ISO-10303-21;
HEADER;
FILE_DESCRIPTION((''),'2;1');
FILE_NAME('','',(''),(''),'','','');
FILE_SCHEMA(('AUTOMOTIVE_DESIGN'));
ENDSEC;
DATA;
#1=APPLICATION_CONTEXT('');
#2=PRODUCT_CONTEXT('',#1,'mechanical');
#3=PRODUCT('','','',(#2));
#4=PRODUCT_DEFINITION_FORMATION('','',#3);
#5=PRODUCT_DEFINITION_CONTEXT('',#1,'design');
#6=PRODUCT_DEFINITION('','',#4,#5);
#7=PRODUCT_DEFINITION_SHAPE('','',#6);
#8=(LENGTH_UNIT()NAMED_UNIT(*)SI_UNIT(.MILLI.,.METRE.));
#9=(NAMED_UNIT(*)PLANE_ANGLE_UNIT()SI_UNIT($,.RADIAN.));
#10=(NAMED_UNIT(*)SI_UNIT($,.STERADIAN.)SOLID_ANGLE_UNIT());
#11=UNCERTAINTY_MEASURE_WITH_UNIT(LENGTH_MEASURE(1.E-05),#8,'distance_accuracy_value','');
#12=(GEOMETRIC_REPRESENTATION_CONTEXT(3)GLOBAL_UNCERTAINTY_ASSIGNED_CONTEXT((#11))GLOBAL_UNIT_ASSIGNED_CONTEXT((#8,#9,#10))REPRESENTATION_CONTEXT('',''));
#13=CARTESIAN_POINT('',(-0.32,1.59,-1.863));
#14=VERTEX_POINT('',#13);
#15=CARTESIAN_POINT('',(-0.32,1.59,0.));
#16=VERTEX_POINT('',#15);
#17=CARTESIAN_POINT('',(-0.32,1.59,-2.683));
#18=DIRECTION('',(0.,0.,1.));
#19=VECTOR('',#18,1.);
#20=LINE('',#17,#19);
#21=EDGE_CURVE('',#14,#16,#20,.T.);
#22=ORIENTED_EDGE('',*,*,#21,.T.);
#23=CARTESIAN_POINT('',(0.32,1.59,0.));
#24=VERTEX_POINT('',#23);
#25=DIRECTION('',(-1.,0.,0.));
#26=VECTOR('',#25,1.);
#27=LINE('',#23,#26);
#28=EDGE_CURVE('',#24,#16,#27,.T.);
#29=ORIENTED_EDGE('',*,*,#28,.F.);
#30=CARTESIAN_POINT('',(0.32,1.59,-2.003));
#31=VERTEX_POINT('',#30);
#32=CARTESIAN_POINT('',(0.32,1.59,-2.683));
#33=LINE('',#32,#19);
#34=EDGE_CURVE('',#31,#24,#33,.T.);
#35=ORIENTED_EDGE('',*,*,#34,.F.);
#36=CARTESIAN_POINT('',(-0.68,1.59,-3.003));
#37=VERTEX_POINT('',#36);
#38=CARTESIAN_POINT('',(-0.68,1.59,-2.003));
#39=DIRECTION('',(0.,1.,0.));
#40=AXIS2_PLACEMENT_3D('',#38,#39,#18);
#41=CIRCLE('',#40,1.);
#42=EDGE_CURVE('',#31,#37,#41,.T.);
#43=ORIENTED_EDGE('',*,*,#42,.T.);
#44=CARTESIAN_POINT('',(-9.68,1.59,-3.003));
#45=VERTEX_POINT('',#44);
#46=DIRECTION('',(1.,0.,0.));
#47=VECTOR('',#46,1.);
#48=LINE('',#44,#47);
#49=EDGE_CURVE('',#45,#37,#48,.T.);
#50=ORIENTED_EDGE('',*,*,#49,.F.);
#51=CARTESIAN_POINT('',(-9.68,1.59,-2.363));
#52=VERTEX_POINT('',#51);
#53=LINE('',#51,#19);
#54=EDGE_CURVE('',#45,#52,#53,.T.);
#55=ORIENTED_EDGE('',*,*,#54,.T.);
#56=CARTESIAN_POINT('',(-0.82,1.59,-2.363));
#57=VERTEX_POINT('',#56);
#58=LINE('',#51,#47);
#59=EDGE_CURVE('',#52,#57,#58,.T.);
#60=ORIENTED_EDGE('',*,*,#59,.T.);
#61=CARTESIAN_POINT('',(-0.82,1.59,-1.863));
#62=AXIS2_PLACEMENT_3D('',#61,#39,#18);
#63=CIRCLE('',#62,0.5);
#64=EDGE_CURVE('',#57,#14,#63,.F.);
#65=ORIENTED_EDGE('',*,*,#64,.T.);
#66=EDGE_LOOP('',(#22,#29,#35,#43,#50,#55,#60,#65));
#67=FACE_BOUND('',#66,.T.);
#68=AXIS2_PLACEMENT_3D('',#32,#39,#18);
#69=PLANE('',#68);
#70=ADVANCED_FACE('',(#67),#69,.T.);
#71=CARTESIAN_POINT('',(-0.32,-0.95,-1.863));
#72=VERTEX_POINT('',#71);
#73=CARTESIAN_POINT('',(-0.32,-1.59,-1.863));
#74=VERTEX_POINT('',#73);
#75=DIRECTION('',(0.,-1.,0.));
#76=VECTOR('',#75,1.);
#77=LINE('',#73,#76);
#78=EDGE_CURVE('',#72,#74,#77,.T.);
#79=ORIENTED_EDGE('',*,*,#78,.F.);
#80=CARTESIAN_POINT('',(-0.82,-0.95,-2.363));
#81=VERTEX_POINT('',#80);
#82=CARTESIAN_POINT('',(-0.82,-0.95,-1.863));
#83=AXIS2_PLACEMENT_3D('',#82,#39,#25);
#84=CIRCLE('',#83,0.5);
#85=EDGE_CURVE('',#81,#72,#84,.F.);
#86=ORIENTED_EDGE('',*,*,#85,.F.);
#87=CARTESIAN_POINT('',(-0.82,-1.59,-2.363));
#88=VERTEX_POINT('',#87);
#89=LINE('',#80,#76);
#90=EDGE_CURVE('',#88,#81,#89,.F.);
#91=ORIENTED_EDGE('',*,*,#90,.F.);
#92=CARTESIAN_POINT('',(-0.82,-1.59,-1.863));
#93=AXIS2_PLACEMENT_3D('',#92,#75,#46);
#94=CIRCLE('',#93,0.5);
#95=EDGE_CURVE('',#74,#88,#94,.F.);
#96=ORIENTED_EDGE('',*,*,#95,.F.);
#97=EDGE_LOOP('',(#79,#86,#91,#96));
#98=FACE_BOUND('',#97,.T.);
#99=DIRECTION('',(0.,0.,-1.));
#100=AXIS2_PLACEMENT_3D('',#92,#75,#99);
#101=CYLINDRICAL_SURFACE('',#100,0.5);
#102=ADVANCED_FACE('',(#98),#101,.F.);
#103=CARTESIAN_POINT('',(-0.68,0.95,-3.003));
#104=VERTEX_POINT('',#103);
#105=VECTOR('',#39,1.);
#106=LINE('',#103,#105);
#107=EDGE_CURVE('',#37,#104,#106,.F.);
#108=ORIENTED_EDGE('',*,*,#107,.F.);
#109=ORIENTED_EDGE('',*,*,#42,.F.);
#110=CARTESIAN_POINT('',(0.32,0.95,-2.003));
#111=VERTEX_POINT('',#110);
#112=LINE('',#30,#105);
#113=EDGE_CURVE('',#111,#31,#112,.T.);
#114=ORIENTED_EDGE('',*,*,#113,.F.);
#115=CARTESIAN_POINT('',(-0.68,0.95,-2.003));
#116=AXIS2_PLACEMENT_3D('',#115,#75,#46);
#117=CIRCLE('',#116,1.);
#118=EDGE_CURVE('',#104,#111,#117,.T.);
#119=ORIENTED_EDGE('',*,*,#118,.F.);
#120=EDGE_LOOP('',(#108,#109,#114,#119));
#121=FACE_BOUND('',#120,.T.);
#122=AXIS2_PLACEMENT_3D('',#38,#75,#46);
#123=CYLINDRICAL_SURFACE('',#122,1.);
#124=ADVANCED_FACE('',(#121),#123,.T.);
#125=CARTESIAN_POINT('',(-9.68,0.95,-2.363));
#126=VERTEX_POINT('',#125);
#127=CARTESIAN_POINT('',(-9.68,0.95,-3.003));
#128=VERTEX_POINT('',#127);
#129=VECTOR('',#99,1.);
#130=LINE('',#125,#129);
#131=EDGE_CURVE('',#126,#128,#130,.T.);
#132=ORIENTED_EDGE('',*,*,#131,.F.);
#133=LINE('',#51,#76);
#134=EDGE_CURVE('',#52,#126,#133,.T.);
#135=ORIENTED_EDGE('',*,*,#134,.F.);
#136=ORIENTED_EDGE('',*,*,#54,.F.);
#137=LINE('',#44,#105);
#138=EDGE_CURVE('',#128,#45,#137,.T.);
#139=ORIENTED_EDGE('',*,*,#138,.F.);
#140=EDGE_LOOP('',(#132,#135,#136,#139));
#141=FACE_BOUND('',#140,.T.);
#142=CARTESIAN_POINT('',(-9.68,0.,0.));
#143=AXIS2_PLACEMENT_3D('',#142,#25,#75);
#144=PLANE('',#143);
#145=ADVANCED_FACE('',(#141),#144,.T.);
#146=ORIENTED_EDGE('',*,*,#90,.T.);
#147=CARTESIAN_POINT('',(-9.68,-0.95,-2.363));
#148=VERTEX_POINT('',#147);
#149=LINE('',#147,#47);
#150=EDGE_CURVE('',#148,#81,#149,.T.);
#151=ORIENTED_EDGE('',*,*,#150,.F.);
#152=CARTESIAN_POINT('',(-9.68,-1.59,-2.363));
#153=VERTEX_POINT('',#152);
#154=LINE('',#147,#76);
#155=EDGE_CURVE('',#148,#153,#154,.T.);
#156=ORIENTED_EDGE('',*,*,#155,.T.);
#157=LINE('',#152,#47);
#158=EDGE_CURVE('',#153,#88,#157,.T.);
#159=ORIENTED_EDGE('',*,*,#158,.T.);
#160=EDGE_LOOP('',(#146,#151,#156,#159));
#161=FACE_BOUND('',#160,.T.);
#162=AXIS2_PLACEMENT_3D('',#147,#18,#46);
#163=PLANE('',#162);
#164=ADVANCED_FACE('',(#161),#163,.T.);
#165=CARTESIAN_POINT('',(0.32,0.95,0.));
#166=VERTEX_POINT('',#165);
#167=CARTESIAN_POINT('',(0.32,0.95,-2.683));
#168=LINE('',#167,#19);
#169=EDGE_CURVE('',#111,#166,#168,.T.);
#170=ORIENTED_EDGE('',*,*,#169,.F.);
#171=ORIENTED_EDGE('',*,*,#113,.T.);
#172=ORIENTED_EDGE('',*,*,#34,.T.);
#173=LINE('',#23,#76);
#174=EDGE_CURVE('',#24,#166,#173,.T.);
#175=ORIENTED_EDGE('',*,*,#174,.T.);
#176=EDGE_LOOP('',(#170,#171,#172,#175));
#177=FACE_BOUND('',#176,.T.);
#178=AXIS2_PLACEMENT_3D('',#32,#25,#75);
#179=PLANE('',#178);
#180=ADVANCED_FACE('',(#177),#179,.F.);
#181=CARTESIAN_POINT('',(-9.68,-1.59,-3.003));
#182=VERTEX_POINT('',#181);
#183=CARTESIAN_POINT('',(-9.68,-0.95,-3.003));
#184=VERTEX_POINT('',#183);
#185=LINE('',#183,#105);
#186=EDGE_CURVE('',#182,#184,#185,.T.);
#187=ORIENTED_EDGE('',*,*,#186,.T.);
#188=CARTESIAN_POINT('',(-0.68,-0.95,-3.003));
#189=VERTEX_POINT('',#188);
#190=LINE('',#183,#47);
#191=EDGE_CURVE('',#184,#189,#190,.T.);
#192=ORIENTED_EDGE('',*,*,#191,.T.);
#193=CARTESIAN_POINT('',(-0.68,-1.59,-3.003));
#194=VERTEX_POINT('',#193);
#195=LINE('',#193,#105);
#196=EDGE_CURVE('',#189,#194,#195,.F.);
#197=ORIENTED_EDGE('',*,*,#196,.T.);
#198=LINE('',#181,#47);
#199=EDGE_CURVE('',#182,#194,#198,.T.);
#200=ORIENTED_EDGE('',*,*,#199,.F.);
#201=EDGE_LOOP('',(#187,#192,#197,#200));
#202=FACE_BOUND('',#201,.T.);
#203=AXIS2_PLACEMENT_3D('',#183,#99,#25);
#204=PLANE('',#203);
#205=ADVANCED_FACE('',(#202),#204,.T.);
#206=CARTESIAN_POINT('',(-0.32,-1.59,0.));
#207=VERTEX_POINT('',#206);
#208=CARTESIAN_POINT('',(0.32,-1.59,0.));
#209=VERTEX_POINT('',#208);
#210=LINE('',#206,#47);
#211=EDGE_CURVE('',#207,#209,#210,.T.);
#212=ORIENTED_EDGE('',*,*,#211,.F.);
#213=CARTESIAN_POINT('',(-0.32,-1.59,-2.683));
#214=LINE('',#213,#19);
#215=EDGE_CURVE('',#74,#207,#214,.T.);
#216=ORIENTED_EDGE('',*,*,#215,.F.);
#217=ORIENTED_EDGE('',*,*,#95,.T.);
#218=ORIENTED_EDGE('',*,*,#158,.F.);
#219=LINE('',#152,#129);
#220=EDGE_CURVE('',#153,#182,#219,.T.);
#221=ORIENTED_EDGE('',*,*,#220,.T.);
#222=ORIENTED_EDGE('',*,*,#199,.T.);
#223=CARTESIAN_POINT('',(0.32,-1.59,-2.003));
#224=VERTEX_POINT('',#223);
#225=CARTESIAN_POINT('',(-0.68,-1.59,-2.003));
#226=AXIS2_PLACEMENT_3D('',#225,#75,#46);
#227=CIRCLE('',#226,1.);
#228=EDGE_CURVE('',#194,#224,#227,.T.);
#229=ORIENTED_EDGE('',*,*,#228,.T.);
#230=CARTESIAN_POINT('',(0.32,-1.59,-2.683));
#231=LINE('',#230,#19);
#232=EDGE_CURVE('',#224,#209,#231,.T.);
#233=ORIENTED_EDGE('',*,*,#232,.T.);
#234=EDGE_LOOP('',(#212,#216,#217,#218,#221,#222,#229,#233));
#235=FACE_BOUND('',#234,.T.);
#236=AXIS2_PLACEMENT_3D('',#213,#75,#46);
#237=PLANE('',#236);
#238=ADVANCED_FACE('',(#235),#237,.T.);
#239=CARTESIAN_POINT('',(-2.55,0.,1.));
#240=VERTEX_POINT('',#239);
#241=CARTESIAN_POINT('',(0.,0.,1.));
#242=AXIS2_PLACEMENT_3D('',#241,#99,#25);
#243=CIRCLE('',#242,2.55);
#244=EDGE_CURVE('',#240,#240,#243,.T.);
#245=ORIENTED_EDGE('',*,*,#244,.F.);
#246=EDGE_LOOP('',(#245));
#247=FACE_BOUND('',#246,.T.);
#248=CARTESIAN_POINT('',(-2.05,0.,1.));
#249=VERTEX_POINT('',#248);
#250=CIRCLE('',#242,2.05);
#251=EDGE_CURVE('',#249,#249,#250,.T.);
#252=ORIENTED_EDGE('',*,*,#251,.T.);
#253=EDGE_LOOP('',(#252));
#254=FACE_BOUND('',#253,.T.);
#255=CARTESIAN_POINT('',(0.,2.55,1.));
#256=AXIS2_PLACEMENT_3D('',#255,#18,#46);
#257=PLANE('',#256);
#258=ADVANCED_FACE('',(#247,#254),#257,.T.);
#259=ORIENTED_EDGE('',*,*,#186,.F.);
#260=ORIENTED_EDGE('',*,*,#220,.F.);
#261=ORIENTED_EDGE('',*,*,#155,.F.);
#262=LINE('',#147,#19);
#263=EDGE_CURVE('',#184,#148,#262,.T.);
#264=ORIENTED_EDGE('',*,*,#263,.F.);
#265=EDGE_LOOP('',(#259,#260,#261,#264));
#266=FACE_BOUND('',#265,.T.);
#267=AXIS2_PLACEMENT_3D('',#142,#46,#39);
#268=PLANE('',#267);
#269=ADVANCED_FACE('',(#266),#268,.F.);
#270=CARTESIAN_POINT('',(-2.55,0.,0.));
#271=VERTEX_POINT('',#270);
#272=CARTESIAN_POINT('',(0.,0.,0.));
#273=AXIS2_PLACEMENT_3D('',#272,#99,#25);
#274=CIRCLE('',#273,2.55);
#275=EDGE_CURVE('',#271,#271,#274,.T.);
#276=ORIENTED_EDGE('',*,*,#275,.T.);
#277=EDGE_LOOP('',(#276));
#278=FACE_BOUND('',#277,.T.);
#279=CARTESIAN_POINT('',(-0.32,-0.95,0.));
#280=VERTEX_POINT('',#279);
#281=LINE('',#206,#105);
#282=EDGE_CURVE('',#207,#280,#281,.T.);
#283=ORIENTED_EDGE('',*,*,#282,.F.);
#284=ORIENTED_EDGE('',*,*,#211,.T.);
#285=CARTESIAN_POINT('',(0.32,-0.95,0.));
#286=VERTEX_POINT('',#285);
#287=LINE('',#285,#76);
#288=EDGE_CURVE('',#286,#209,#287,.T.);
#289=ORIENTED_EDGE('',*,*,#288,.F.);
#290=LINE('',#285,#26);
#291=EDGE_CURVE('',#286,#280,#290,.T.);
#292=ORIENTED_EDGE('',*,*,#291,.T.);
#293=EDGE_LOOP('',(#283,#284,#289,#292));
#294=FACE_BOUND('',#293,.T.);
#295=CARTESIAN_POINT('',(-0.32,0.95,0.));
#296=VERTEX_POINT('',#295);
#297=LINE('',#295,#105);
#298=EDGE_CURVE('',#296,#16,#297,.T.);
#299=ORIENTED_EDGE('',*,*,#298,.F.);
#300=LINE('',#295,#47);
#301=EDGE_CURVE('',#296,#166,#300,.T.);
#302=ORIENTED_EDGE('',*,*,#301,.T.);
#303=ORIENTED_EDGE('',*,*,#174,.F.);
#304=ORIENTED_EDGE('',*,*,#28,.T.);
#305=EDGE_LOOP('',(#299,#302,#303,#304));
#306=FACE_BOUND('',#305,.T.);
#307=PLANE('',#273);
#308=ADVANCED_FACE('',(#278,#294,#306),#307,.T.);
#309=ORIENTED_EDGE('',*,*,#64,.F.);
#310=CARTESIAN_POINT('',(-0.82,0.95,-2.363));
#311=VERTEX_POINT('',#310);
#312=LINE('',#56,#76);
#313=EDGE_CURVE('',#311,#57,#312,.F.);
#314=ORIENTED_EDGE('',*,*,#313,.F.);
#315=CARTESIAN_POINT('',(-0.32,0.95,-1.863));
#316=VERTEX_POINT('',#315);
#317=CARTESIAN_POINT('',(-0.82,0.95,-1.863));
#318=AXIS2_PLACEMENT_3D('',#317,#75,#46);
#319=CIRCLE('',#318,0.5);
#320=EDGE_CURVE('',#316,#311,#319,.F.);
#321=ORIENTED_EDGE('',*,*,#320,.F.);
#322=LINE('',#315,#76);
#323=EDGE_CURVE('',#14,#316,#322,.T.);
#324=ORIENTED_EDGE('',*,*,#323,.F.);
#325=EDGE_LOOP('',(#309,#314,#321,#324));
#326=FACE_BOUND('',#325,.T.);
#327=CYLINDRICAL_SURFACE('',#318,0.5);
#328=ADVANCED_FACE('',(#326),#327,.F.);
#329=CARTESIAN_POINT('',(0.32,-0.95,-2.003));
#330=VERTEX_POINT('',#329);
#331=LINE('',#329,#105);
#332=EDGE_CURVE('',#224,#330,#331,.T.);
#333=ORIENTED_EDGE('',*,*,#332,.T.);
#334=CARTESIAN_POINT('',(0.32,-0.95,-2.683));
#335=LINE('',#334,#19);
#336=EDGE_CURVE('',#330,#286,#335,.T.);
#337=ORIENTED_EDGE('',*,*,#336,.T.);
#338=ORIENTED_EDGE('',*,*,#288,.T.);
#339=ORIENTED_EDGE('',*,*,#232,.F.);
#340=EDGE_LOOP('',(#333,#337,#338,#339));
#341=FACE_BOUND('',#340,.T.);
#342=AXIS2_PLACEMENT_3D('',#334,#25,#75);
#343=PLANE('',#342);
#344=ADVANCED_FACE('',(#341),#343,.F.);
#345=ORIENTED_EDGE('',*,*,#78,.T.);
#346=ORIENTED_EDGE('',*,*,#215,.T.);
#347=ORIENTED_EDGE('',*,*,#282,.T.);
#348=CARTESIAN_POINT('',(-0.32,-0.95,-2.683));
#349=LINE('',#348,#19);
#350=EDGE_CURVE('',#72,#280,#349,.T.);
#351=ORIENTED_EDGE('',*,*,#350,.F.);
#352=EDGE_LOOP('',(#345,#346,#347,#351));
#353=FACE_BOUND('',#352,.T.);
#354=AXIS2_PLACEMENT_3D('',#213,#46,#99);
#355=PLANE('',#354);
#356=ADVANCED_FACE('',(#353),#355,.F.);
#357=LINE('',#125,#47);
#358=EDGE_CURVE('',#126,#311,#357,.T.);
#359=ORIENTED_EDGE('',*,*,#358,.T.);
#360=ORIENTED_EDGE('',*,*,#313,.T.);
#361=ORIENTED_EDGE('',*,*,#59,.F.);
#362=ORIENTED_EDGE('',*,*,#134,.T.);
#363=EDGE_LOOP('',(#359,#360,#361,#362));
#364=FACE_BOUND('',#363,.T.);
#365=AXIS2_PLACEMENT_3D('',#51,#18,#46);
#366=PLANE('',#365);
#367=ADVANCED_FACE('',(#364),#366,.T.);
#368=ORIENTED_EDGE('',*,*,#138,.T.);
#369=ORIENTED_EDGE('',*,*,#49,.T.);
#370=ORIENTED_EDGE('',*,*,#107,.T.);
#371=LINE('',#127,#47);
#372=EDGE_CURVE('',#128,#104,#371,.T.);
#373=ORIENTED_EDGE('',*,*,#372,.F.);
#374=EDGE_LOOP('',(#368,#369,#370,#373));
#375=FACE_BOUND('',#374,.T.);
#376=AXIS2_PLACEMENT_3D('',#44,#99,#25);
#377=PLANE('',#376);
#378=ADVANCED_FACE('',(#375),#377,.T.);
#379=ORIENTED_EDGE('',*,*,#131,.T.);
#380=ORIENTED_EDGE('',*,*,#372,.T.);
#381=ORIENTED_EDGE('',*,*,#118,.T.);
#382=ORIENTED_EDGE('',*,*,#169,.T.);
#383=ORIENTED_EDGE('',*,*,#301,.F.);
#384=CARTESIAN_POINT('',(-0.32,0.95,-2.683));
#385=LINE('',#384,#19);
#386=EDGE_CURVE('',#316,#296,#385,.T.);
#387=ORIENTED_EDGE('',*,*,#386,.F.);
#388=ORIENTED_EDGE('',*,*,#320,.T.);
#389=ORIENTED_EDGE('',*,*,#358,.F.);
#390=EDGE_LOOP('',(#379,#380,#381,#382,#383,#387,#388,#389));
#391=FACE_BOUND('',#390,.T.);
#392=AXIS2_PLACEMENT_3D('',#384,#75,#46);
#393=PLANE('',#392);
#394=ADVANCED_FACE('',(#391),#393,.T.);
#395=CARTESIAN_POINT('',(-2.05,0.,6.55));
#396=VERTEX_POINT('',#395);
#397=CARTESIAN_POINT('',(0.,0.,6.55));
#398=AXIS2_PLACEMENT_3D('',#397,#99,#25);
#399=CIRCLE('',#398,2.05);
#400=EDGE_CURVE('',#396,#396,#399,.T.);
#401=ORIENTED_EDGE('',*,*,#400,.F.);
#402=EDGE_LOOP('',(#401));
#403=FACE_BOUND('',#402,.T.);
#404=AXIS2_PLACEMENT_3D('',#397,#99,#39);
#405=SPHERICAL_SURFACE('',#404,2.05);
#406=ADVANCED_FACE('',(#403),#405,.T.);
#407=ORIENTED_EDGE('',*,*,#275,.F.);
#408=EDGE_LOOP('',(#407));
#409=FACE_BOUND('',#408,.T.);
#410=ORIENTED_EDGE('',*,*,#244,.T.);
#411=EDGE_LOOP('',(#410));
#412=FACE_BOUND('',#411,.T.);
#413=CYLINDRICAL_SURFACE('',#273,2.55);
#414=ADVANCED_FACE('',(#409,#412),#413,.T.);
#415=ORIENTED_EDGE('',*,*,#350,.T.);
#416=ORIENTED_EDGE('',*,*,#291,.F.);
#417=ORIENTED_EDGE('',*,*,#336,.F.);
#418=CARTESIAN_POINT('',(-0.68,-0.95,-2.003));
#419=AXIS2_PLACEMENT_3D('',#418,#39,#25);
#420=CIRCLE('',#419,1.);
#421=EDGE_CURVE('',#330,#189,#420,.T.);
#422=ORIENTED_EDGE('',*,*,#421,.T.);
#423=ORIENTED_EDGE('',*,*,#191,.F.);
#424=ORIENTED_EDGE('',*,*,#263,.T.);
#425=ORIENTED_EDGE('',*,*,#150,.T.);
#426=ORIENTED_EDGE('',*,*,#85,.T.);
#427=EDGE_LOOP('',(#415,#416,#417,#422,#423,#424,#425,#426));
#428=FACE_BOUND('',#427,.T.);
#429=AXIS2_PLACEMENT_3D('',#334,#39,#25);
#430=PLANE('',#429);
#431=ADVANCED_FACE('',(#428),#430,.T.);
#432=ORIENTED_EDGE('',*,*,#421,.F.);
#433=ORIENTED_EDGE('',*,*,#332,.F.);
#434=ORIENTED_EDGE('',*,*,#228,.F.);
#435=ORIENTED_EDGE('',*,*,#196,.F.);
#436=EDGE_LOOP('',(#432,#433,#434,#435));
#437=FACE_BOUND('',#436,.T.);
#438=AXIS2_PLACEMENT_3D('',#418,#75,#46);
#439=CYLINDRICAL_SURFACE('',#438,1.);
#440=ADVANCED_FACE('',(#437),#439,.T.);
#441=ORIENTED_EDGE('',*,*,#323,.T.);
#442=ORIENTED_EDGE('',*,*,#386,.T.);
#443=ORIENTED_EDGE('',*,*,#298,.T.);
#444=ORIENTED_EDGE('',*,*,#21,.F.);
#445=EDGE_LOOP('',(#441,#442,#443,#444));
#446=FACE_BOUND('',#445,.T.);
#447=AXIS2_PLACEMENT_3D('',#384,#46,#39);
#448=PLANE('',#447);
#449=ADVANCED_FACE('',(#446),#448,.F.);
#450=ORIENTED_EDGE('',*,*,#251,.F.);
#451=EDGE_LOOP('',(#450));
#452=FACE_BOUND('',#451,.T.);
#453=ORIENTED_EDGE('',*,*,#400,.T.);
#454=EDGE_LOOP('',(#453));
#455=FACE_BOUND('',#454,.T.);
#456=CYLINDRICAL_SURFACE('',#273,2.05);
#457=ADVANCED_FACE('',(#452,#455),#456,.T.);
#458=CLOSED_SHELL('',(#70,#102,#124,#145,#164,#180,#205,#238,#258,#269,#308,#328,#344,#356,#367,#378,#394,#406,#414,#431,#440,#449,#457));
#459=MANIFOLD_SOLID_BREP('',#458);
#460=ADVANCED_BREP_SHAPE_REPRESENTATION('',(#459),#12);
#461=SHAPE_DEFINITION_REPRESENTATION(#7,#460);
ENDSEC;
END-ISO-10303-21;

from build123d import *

# Parameters (mm, degrees)
SKETCH3_W           = 0.64
SKETCH3_H           = 0.64
BOSS_EXTRUDE1_DEPTH = 2.683
ESQUISSE1_W         = 0.64
ESQUISSE1_H         = 0.64
BOSS_EXTRU_1_DEPTH  = 10
CONG_1_R            = 1
CONG_1_2_R          = 0.5


with BuildPart() as part:
    # Sketch2 → Base-Revolve (revolve)
    with BuildSketch(Plane(origin=(0, 0, 0), x_dir=(0, 0, -1), z_dir=(1, 0, 0))):
        with BuildLine():
            Line((0, 0), (0, 2.55))
            Line((0, 2.55), (-1, 2.55))
            Line((-1, 2.55), (-1, 2.05))
            Line((-1, 2.05), (-6.55, 2.05))
            ThreePointArc((-6.55, 2.05), (-7.999568901, 1.449568901), (-8.6, 0))
            Line((-8.6, 0), (0, 0))
        make_face()
    revolve(axis=Axis((0, 0, 0), (0, 0, 1)))

    # Sketch3 → Boss-Extrude1 (add)
    with BuildSketch(Plane(origin=(0, 0, 0), x_dir=(-1, 0, 0), z_dir=(0, 0, -1))):
        with Locations((0, 1.27)):
            Rectangle(SKETCH3_W, SKETCH3_H)
        with Locations((0, -1.27)):
            Rectangle(SKETCH3_W, SKETCH3_H)
    extrude(amount=BOSS_EXTRUDE1_DEPTH)

    # Esquisse1 → Boss.-Extru.1 (add)
    with BuildSketch(Plane(origin=(0.32, 0, 0), x_dir=(0, 0, -1), z_dir=(1, 0, 0))):
        with Locations((2.683, -1.27)):
            Rectangle(ESQUISSE1_W, ESQUISSE1_H)
        with Locations((2.683, 1.27)):
            Rectangle(ESQUISSE1_W, ESQUISSE1_H)
    extrude(amount=-BOSS_EXTRU_1_DEPTH)

    # Cong_1
    cong_1_edges = [part.edges().sort_by_distance(p)[0] for p in [
        (0.32, -1.27, -3.003),
        (0.32, 1.27, -3.003),
    ]]
    fillet(cong_1_edges, radius=CONG_1_R)

    # Cong_1 2
    cong_1_2_edges = [part.edges().sort_by_distance(p)[0] for p in [
        (-0.32, 1.27, -2.363),
        (-0.32, -1.27, -2.363),
    ]]
    fillet(cong_1_2_edges, radius=CONG_1_2_R)


solid = part.part
